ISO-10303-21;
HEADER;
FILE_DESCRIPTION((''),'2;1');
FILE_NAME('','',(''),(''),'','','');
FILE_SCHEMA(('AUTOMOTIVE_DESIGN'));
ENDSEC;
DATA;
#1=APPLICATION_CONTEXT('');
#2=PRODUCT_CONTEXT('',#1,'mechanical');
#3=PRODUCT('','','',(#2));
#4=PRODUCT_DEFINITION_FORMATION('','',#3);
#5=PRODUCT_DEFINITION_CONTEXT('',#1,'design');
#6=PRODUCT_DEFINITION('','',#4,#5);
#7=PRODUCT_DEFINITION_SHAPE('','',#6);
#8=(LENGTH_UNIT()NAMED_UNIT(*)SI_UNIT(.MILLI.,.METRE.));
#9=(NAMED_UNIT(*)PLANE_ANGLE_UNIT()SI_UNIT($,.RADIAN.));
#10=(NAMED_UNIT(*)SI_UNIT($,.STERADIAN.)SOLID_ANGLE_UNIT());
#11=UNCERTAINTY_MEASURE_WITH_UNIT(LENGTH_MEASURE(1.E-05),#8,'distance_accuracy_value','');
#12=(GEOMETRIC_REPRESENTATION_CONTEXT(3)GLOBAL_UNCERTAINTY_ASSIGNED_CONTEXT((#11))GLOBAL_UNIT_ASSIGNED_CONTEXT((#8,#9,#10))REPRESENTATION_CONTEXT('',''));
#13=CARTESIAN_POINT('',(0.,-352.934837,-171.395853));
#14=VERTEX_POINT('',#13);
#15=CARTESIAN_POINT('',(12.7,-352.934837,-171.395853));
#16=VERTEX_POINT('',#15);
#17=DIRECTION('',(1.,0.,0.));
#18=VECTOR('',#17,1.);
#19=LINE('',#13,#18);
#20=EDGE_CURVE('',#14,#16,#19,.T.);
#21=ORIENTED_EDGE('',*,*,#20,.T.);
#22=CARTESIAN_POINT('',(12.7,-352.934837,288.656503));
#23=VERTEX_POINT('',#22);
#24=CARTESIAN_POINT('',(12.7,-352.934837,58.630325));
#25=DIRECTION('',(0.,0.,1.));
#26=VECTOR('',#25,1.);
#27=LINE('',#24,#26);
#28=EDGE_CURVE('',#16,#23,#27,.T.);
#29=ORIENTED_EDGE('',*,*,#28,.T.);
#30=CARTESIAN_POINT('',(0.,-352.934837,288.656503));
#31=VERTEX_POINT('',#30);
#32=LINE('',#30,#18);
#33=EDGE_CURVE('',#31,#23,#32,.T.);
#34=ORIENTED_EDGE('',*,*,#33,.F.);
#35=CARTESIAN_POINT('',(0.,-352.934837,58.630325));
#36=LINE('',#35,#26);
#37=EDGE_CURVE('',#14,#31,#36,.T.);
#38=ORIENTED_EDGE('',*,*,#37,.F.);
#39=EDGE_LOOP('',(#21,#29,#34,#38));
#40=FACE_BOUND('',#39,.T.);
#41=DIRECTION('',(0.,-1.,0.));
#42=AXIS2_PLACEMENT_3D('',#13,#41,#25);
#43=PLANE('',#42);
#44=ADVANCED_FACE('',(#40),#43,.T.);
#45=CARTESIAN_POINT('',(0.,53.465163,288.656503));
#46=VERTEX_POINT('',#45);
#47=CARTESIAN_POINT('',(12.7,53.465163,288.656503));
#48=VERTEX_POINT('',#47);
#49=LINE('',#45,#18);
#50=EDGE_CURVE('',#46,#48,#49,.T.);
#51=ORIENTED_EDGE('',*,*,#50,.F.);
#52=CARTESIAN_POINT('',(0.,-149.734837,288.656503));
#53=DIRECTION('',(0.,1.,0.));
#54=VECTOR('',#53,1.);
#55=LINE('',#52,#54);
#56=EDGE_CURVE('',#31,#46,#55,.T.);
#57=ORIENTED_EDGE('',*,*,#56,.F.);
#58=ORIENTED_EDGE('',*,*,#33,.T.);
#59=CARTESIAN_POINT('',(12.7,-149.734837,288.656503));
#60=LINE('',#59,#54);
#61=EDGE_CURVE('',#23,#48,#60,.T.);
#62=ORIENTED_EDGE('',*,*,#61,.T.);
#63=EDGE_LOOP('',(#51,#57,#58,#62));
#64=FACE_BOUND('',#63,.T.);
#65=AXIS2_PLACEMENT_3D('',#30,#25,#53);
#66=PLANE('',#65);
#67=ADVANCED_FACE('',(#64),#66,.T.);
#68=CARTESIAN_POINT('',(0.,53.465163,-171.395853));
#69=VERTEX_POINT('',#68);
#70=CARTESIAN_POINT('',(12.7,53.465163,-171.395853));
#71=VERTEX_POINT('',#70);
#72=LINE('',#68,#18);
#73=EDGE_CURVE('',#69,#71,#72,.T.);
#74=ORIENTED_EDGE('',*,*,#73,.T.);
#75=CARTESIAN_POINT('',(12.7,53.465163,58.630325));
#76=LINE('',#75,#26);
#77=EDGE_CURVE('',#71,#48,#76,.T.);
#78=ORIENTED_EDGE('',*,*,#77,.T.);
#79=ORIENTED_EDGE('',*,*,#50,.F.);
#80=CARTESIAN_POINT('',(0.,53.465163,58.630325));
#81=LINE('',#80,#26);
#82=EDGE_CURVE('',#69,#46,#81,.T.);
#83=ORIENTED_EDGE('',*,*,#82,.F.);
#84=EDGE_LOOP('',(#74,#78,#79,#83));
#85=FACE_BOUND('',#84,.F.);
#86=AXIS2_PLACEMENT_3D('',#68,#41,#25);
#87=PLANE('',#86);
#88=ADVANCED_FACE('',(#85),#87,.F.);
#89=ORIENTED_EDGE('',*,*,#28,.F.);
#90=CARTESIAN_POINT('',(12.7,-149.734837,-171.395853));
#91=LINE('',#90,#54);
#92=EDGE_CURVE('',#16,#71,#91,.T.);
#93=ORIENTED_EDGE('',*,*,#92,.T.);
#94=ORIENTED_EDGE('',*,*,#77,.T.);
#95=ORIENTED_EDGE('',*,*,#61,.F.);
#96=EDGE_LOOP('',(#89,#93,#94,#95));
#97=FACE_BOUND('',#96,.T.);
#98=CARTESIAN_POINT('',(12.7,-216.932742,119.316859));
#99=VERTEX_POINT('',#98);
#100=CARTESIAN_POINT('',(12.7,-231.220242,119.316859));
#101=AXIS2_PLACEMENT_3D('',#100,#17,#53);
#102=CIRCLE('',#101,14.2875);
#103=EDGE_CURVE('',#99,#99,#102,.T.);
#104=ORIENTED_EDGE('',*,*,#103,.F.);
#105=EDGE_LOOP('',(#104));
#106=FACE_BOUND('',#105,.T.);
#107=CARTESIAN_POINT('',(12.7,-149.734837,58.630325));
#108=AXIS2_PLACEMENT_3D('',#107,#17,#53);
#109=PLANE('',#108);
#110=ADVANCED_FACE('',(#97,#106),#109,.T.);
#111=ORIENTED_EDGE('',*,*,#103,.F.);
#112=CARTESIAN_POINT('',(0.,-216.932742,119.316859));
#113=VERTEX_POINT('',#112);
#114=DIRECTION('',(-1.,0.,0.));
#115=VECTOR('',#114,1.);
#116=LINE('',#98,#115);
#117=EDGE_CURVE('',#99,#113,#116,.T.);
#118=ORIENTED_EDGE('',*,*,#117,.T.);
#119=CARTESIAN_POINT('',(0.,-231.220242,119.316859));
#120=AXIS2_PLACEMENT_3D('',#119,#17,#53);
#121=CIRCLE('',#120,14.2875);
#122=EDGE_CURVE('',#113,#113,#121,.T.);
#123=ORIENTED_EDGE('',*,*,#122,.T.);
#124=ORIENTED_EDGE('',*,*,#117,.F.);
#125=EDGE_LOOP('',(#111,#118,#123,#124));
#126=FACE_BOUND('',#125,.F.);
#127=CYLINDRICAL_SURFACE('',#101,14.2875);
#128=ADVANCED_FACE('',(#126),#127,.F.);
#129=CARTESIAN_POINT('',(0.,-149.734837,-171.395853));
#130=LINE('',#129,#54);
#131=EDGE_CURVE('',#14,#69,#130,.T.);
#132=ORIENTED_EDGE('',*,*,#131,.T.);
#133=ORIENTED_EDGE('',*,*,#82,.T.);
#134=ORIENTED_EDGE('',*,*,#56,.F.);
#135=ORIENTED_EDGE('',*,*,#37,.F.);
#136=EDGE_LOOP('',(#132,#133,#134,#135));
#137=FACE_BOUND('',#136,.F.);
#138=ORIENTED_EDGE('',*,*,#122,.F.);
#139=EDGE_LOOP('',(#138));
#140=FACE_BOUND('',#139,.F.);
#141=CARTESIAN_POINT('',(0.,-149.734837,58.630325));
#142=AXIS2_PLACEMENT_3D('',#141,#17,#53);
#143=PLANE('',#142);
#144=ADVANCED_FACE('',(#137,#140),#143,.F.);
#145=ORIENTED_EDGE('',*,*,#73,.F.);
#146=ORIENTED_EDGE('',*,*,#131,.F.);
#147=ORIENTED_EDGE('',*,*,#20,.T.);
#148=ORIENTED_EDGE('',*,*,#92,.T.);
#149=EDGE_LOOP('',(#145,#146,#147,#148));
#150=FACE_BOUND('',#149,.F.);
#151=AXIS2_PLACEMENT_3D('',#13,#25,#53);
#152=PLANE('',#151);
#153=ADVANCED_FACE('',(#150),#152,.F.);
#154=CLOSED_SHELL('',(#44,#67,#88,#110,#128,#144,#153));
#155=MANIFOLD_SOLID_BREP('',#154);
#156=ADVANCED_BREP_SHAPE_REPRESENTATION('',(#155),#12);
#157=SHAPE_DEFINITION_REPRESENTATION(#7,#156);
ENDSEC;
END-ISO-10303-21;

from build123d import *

# Parameters (mm, degrees)
F0_W     = 406.4
F0_H     = 460.052356
F1_DEPTH = 12.7
F2_R     = 14.2875
F3_DEPTH = 12.701


with BuildPart() as f1:
    # F0 (on Right) → F1 (new body)
    with BuildSketch(Plane.YZ):
        with Locations((-149.734837, 58.630325)):
            Rectangle(F0_W, F0_H)
    extrude(amount=F1_DEPTH)

    # F2 (on face) → F3 (cut, through all)
    with BuildSketch(Plane.YZ.offset(12.7)):
        with Locations((-231.220242, 119.316859)):
            Circle(F2_R)
    extrude(amount=-F3_DEPTH, mode=Mode.SUBTRACT)


solid = f1.part
